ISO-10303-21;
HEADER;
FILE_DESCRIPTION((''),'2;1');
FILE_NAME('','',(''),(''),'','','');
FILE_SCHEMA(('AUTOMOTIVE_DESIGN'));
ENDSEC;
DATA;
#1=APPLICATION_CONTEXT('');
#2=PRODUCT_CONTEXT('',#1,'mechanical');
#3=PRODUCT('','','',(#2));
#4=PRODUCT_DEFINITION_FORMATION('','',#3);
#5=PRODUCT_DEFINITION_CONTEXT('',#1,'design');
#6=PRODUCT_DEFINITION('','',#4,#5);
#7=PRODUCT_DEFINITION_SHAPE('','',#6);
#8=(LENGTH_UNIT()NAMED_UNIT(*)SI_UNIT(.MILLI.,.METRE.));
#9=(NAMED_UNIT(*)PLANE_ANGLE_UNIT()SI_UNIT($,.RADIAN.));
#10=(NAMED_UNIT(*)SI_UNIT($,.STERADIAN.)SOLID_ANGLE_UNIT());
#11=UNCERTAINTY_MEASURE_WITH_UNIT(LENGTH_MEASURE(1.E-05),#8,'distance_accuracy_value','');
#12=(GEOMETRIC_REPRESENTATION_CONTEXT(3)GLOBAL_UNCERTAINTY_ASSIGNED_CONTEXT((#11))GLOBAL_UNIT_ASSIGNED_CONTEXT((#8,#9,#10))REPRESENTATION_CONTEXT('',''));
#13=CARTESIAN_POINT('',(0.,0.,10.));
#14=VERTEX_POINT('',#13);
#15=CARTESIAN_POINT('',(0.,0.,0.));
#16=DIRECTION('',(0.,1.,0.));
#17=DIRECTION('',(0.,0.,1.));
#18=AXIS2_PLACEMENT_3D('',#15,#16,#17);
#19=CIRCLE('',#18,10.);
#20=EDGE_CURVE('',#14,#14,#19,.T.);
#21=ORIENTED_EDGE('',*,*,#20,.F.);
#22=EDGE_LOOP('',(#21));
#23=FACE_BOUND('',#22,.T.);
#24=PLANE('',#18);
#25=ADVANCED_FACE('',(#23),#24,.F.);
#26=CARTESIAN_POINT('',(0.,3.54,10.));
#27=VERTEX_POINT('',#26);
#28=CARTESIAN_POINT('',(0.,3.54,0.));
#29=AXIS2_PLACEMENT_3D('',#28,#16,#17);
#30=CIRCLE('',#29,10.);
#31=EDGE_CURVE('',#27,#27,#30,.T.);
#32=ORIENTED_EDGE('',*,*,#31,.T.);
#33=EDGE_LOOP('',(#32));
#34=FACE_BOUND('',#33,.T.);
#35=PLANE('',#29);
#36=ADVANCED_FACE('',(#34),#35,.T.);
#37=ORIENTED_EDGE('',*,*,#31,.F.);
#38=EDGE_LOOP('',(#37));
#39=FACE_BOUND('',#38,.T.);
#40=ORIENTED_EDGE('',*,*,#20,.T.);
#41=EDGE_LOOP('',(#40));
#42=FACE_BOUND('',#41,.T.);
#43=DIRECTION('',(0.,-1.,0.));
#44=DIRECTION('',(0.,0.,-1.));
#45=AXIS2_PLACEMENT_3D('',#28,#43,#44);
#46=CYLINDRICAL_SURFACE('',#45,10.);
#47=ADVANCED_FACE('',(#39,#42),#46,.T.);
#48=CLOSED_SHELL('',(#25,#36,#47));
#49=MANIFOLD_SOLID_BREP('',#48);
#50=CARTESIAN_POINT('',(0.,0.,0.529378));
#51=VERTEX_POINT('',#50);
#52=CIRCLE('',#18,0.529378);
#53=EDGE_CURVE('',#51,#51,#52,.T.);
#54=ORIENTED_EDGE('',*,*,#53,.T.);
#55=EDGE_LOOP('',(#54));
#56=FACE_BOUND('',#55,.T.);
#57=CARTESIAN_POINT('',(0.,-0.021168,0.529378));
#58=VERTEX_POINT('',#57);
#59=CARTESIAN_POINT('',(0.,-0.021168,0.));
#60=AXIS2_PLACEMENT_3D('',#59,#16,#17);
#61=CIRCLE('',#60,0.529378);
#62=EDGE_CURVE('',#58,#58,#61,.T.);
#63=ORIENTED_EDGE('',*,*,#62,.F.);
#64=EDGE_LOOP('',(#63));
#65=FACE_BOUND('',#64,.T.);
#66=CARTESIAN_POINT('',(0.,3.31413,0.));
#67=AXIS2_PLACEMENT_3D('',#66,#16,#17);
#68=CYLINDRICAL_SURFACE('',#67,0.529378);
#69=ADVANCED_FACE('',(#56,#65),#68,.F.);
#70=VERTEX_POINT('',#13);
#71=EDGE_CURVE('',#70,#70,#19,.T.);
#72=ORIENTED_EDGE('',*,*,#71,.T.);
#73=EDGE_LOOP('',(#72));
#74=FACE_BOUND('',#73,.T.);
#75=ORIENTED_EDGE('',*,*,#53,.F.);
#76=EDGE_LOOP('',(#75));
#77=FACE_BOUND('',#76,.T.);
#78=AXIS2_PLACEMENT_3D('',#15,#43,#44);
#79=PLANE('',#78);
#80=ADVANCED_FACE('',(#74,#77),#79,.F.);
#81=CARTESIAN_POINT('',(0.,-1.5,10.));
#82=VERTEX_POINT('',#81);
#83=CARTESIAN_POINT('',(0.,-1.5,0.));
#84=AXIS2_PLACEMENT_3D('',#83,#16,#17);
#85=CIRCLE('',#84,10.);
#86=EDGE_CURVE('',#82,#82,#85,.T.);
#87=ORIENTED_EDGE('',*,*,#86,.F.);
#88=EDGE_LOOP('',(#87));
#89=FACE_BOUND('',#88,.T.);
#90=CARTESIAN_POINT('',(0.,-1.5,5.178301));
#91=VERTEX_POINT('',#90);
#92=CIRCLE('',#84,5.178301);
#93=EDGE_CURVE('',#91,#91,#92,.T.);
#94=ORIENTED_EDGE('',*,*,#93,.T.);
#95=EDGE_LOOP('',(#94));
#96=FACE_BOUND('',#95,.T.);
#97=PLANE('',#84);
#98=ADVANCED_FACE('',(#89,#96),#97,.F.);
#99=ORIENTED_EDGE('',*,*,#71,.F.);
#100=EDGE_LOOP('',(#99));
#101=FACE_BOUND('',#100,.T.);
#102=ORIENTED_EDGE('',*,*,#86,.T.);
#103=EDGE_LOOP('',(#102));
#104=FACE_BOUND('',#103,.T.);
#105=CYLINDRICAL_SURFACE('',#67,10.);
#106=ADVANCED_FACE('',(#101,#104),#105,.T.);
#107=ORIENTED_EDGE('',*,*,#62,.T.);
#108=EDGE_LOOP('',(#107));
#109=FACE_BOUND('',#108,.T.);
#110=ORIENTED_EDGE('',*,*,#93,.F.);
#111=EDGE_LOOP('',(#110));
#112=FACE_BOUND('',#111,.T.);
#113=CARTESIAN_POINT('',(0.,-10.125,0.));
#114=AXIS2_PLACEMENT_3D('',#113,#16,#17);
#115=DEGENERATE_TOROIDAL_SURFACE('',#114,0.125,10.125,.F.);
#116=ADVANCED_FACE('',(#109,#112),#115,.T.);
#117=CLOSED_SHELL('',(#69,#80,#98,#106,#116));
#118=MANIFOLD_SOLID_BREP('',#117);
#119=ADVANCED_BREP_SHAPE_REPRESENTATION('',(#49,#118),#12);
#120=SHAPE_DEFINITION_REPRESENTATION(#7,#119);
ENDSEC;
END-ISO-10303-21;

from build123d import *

# Parameters (mm, degrees)
SKETCH1_R           = 10
BOSS_EXTRUDE1_DEPTH = 3.54


with BuildPart() as part:
    # Sketch1 → Boss-Extrude1 (new body)
    with BuildSketch(Plane(origin=(0, 0, 0), x_dir=(1, 0, 0), z_dir=(0, 1, 0))):
        Circle(SKETCH1_R)
    extrude(amount=BOSS_EXTRUDE1_DEPTH)


with BuildPart() as body_2:
    # Sketch2 → Revolve17 (revolve)
    with BuildSketch(Plane.XY):
        with BuildLine():
            ThreePointArc((5.178300859, -1.5), (2.94423774, -0.476404004), (0.529378062, -0.021168333))
            Line((0.529378062, -0.021168333), (0.529378062, 0))
            Line((0.529378062, 0), (10, 0))
            Line((10, 0), (10, -1.5))
            Line((10, -1.5), (5.178300859, -1.5))
        make_face()
    revolve(axis=Axis((0, 3.314129783, 0), (0, -1, 0)))


solid = Compound([part.part, body_2.part])
